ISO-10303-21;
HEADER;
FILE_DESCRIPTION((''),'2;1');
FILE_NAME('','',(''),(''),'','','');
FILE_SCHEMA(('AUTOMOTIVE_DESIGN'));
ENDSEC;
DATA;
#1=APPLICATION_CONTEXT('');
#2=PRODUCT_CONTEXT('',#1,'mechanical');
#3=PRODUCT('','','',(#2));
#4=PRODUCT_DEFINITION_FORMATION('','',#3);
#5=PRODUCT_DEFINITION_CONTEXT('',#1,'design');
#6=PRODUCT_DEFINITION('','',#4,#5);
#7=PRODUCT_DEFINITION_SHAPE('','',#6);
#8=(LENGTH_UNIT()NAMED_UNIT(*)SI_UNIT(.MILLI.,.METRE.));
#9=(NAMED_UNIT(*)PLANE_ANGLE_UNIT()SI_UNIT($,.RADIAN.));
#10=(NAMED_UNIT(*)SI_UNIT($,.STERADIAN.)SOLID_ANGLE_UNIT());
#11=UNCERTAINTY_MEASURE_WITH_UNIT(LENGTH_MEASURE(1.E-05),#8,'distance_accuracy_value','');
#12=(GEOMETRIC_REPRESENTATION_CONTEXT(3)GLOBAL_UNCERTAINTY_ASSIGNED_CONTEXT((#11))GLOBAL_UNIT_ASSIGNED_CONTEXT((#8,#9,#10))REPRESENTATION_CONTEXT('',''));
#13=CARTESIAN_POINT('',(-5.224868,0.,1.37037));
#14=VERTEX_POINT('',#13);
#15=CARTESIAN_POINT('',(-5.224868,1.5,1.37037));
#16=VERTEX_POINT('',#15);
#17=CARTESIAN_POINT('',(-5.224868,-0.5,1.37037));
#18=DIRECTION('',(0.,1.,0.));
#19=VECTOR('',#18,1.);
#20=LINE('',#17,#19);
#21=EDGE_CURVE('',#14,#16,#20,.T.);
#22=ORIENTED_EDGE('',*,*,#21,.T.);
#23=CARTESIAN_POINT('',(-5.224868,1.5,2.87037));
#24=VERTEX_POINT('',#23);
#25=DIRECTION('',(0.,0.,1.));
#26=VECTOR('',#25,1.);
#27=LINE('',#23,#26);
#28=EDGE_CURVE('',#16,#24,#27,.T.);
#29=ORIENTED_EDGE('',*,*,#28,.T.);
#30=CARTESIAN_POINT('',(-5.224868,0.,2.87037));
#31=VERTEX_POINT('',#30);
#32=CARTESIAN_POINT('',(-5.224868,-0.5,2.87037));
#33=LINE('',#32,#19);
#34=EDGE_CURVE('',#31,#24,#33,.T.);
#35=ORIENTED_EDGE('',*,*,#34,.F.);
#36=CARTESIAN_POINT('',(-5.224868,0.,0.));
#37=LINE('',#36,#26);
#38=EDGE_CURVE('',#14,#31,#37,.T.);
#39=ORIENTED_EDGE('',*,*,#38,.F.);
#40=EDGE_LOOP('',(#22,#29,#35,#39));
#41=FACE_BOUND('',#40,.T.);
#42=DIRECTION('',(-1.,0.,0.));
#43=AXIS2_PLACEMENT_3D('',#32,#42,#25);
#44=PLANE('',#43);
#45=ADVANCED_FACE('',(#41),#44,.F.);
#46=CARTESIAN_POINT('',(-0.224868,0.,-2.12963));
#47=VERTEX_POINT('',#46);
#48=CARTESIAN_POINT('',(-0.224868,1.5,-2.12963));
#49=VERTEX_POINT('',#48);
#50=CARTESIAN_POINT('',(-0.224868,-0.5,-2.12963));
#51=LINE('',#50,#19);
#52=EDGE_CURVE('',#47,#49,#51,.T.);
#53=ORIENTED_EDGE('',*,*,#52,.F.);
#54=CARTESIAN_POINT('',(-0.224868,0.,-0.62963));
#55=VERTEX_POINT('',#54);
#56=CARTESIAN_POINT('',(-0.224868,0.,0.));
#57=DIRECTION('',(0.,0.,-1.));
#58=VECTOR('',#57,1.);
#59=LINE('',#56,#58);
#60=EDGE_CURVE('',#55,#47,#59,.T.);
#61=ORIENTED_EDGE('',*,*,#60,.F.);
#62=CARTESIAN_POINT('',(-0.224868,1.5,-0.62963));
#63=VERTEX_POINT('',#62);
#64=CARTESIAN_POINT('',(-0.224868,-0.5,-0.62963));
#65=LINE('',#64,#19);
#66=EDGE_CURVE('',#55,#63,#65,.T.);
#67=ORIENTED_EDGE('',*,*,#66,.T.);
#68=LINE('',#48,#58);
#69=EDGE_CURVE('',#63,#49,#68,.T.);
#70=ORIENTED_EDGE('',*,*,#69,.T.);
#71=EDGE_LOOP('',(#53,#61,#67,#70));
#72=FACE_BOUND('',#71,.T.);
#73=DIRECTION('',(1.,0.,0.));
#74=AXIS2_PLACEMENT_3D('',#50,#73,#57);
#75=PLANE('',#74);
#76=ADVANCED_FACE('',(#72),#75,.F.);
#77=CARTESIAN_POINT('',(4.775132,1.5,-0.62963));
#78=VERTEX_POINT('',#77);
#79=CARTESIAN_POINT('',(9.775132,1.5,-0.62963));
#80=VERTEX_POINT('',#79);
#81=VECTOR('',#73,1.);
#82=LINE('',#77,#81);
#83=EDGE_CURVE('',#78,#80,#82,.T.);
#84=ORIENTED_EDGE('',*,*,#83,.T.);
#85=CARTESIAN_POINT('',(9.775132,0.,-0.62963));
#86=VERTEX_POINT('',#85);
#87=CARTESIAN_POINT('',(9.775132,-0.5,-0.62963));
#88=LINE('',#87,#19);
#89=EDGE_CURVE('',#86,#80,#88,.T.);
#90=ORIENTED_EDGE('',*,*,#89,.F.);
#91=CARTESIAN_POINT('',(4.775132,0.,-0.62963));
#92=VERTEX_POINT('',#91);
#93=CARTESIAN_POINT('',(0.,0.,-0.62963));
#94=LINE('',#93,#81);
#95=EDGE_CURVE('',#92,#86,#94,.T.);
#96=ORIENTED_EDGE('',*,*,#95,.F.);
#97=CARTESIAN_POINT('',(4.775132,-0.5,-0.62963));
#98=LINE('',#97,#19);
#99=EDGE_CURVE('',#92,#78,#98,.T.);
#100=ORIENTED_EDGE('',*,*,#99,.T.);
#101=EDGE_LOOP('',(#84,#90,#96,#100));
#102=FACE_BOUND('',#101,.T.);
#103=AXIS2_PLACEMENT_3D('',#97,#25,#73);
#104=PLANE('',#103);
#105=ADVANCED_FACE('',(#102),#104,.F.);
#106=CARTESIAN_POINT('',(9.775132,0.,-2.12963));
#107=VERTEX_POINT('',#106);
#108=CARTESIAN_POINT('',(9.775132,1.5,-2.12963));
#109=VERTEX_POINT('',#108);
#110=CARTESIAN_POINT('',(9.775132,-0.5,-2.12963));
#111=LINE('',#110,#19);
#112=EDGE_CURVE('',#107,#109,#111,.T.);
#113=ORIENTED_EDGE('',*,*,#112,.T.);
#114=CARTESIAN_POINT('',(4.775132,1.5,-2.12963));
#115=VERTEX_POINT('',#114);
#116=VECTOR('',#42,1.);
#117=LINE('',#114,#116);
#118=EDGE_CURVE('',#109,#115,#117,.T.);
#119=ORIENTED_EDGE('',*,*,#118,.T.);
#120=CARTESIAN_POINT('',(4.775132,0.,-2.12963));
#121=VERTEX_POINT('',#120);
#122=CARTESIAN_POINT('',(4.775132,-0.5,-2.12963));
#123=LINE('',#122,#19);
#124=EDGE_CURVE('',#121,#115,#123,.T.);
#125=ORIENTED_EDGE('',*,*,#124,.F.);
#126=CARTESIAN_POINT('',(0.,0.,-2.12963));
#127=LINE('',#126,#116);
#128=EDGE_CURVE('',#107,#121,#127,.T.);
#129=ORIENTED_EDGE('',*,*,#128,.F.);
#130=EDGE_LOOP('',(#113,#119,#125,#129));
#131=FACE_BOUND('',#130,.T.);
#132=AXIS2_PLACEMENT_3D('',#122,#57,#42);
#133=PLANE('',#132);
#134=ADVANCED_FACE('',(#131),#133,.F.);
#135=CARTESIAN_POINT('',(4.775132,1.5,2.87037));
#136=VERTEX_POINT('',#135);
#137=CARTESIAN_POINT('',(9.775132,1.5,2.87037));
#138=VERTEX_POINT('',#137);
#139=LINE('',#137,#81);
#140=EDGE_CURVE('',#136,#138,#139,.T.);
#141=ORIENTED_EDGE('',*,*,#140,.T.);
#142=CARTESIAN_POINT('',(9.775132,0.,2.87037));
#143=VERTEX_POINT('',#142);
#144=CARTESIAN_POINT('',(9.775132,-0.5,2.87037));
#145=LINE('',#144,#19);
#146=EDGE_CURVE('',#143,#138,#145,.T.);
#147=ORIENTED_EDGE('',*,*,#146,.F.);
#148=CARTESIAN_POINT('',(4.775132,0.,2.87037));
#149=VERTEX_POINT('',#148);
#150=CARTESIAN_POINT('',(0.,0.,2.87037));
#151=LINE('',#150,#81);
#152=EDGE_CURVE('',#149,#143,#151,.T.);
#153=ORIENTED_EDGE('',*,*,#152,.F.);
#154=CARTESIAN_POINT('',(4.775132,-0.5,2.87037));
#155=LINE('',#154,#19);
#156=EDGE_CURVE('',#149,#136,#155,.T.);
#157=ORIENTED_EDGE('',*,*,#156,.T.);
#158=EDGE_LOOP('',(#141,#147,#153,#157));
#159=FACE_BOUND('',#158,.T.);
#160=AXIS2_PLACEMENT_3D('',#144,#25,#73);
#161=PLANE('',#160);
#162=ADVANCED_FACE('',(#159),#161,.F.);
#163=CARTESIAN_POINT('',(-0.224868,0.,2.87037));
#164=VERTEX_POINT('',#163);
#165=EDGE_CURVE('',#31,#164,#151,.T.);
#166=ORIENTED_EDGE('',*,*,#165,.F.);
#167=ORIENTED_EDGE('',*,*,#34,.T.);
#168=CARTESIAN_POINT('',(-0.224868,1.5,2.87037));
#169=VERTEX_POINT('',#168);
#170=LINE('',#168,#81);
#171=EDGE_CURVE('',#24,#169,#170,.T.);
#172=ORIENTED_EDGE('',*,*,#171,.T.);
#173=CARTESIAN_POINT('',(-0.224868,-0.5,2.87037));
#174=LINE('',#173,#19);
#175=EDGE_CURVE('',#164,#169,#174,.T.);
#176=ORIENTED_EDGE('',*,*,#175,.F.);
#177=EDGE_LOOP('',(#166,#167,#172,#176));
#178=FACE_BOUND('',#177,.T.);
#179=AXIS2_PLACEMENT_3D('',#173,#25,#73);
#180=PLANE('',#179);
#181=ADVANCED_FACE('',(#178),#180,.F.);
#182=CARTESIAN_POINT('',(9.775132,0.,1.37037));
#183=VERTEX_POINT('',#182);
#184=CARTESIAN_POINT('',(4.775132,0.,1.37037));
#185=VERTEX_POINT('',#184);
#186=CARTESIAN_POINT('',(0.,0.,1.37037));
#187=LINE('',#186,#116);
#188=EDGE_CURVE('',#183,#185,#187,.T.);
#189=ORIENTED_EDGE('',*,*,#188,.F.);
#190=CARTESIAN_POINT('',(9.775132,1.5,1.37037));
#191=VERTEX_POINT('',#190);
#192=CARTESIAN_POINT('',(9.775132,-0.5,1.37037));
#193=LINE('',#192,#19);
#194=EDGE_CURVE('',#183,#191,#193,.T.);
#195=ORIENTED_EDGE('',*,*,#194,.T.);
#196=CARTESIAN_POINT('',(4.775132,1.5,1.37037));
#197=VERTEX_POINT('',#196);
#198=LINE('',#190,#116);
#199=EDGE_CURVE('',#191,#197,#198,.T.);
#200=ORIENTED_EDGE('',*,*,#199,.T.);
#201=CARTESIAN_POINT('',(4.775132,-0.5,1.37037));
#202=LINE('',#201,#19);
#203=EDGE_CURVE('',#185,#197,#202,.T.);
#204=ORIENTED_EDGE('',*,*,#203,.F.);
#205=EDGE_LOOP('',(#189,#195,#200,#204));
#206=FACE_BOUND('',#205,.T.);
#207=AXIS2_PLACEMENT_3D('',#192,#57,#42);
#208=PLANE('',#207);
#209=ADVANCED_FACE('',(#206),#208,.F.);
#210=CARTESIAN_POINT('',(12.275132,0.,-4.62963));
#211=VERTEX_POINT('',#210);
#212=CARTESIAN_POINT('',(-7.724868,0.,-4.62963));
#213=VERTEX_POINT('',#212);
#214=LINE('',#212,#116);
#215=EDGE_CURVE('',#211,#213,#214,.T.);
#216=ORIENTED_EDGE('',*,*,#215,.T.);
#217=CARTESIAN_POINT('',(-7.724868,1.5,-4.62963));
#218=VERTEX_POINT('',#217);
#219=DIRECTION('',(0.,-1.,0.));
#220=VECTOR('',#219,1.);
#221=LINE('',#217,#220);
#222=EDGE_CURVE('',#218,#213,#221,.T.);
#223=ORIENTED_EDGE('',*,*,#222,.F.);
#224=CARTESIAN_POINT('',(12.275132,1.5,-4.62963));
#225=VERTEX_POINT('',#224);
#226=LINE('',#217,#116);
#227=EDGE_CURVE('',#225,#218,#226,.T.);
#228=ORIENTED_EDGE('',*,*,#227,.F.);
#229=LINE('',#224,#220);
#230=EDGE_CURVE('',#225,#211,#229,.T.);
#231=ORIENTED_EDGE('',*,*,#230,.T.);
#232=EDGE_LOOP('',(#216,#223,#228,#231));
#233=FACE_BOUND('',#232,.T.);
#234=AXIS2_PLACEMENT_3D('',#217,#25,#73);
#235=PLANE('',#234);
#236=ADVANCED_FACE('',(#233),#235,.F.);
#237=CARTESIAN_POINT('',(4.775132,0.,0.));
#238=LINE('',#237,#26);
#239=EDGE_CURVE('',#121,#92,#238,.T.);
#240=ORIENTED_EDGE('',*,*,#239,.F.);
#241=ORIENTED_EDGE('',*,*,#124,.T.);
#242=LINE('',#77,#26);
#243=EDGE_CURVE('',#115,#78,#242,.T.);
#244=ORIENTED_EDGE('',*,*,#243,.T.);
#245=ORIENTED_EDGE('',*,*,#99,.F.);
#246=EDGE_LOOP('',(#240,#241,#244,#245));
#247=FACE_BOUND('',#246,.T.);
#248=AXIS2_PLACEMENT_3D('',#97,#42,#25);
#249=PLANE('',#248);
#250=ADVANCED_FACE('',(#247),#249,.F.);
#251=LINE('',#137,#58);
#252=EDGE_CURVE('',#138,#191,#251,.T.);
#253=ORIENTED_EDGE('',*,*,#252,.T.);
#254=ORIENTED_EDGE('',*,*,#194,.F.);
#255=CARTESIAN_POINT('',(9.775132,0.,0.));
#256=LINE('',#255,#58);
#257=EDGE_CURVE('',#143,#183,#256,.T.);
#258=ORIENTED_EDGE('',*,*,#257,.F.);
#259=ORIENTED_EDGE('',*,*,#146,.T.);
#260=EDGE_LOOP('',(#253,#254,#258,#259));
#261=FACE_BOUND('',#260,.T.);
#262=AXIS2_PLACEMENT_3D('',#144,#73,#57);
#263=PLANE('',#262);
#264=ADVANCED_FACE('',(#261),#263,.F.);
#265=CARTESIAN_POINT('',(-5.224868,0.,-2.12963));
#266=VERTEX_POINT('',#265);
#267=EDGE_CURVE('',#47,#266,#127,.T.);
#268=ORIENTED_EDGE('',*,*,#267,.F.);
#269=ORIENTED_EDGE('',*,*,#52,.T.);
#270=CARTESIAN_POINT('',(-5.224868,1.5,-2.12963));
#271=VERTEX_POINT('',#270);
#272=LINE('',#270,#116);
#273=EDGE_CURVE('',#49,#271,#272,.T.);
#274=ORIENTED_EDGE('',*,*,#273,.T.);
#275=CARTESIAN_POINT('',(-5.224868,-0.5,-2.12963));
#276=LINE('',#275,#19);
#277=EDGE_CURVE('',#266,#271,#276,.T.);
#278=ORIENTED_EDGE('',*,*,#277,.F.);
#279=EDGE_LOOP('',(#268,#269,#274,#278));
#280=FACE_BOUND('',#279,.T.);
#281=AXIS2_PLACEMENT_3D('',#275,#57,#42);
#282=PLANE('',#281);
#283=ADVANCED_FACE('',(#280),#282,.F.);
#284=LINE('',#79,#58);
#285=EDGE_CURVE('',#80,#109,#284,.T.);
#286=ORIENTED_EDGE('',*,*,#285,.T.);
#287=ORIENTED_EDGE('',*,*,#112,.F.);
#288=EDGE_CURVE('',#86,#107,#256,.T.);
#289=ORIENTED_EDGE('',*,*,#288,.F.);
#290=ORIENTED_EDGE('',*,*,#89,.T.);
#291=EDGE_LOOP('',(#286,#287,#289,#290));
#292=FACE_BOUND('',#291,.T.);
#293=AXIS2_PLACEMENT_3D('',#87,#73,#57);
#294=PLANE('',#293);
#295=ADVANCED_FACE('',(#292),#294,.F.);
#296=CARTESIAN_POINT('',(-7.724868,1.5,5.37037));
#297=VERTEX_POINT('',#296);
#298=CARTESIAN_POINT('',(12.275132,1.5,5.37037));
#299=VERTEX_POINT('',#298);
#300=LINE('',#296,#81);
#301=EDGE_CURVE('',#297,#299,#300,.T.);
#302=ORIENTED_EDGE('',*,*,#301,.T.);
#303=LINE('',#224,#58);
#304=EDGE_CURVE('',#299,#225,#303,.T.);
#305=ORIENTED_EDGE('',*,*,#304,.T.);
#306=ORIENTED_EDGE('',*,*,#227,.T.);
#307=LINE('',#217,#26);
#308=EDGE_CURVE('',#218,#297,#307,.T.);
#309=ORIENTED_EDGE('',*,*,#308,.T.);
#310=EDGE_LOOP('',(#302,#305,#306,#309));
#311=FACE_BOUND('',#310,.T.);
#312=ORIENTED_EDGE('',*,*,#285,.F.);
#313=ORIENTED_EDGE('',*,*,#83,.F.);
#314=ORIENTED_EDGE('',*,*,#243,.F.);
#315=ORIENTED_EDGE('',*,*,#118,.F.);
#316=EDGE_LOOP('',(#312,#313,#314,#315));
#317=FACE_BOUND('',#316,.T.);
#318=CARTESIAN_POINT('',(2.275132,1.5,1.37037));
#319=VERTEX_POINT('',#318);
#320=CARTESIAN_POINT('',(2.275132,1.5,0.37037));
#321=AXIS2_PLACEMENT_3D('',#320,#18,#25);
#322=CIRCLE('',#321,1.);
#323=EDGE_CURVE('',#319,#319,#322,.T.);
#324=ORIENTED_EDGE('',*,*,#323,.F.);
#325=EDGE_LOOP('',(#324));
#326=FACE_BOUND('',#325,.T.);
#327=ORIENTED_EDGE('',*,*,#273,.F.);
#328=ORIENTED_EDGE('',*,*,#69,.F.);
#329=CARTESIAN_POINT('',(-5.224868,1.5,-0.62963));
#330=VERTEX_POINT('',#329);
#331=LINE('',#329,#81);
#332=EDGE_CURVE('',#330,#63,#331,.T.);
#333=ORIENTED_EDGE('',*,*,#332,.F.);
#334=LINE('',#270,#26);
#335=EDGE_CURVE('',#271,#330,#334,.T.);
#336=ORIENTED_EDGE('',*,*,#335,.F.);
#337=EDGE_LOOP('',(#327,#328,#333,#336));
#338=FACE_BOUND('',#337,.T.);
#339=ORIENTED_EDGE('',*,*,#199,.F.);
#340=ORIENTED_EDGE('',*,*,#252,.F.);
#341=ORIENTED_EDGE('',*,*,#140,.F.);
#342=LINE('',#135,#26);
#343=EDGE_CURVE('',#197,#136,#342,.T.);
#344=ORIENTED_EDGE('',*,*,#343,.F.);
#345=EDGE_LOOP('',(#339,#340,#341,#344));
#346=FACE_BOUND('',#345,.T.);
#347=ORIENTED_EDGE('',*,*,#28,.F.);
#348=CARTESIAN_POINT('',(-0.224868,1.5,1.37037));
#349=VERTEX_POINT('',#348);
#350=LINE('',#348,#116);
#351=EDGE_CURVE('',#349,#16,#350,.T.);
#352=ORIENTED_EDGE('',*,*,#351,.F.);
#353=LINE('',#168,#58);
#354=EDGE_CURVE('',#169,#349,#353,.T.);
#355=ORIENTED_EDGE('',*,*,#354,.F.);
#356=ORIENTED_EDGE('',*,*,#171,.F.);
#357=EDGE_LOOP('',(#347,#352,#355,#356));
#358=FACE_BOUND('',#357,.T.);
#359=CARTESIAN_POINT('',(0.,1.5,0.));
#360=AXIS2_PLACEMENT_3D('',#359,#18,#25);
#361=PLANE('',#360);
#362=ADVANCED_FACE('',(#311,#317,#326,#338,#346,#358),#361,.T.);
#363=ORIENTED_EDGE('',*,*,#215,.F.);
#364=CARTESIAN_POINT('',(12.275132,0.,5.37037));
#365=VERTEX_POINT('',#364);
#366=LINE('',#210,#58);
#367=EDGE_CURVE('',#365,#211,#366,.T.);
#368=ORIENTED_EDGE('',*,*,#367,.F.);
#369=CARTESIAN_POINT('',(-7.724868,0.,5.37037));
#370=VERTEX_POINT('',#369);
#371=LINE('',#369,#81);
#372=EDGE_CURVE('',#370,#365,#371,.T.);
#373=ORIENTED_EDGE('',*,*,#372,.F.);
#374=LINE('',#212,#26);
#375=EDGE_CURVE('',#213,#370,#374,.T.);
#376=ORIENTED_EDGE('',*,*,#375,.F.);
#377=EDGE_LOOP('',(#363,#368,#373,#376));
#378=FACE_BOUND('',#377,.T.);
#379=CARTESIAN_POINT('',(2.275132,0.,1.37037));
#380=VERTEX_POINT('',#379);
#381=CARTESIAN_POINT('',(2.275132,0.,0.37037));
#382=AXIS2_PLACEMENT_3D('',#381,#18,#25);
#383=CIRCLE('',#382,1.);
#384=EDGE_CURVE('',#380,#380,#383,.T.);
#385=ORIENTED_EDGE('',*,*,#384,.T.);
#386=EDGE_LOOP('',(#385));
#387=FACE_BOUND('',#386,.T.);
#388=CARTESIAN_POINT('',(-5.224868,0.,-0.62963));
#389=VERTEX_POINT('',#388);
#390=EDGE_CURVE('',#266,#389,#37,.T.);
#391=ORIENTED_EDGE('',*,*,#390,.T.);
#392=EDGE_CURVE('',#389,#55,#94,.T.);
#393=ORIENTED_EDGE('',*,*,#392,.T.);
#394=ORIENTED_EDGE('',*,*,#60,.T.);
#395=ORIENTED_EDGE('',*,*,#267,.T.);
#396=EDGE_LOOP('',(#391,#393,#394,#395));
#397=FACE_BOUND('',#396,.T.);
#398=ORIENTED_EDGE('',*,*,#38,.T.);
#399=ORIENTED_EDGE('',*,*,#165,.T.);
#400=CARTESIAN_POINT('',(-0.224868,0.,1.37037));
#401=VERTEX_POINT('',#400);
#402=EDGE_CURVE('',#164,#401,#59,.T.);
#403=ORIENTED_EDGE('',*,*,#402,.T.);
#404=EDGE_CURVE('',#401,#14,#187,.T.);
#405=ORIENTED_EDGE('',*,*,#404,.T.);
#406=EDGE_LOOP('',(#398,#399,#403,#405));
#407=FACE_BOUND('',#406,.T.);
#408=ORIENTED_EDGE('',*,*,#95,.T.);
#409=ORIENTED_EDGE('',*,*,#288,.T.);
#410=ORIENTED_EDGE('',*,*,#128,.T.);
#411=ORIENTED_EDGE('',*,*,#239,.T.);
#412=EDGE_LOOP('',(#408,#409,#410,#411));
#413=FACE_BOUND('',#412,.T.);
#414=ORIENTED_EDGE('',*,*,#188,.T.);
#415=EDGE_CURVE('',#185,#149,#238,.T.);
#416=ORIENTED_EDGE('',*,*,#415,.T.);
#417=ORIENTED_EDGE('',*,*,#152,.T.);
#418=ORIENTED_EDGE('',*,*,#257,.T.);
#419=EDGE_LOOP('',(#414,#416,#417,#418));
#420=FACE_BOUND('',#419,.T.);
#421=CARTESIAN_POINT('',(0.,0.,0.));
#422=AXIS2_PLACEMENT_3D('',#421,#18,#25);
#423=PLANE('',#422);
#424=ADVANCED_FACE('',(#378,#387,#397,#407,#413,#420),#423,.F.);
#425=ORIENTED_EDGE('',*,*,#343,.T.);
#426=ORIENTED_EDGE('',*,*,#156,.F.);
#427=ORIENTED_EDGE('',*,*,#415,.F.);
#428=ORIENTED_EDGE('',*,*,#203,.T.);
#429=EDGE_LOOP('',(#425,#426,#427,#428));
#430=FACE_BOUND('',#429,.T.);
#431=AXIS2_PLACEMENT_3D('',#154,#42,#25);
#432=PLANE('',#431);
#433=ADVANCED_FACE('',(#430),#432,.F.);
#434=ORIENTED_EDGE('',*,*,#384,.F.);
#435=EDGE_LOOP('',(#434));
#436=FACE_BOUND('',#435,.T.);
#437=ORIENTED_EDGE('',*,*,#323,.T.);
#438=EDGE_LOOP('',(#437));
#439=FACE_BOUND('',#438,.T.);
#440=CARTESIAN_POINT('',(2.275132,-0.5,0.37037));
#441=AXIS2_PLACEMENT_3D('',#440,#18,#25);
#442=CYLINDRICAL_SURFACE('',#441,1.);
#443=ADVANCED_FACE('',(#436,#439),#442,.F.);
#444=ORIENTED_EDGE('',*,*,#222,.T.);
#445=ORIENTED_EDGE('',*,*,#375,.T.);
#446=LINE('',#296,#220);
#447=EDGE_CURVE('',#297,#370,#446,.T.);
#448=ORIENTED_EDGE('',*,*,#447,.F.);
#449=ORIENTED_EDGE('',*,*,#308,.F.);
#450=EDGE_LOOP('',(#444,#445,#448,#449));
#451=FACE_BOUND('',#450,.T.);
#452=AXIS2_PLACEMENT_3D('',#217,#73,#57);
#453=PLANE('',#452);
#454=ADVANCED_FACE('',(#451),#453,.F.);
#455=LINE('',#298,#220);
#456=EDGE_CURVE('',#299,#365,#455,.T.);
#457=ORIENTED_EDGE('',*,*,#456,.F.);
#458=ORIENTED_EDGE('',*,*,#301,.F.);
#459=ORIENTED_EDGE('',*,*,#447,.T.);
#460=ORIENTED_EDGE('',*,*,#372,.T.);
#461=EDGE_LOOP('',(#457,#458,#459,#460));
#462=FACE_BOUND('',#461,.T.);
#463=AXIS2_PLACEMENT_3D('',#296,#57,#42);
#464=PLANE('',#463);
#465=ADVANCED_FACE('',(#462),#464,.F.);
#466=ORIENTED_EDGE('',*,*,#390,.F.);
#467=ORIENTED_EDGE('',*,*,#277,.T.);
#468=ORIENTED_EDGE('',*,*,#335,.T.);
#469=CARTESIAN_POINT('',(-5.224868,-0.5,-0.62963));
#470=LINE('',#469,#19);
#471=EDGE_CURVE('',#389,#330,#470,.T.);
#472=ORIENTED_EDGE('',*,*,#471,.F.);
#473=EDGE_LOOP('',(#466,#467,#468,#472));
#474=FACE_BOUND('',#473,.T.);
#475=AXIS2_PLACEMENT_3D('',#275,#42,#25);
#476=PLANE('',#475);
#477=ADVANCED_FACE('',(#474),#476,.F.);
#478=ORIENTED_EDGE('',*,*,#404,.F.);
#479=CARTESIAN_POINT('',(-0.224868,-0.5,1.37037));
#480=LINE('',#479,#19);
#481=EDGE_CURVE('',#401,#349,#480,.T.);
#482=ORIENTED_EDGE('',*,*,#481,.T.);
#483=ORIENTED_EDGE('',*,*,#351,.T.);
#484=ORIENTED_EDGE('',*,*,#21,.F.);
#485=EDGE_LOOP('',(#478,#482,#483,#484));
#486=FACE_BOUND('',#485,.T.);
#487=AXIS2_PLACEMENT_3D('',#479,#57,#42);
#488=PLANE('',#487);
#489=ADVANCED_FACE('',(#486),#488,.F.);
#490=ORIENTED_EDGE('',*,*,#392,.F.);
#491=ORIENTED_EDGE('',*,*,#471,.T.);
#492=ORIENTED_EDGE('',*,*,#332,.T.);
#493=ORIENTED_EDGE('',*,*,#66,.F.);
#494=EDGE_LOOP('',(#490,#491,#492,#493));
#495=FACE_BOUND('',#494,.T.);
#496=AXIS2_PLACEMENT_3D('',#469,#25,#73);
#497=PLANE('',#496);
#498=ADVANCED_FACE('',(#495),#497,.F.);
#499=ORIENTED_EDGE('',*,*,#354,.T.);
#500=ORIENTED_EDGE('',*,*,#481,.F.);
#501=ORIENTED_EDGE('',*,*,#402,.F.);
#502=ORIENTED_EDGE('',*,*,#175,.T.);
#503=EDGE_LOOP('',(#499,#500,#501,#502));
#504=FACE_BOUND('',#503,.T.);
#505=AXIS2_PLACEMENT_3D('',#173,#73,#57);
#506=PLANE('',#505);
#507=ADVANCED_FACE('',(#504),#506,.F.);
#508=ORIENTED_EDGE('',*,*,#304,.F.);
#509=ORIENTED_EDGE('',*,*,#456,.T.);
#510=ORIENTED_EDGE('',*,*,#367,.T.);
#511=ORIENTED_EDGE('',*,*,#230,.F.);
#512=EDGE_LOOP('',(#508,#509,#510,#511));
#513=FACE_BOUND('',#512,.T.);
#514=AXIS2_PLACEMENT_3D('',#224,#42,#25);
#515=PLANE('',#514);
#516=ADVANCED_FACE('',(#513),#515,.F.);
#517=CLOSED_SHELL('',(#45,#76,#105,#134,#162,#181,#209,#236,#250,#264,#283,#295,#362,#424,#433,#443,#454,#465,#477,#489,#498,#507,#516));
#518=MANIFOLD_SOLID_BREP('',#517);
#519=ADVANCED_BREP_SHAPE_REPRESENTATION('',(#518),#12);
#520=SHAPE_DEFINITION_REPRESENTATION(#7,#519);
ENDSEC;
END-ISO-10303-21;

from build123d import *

# Parameters (mm, degrees)
SKETCH1_W           = 20
SKETCH1_H           = 10
BOSS_EXTRUDE1_DEPTH = 1.5
SKETCH3_W           = 5
SKETCH3_H           = 1.5
CUT_EXTRUDE1_DEPTH  = 2
SKETCH2_R           = 1
CUT_EXTRUDE2_DEPTH  = 2


with BuildPart() as part:
    # Sketch1 → Boss-Extrude1 (new body)
    with BuildSketch(Plane(origin=(0, 0, 0), x_dir=(1, 0, 0), z_dir=(0, 1, 0))):
        with Locations((2.275132275, -0.37037037)):
            Rectangle(SKETCH1_W, SKETCH1_H)
    extrude(amount=BOSS_EXTRUDE1_DEPTH)

    # Sketch3 → Cut-Extrude1 (cut)
    with BuildSketch(Plane(origin=(0, 1.5, 0), x_dir=(1, 0, 0), z_dir=(0, 1, 0))):
        with Locations((-2.724867725, 1.37962963)):
            Rectangle(SKETCH3_W, SKETCH3_H)
        with Locations((7.275132275, 1.37962963)):
            Rectangle(SKETCH3_W, SKETCH3_H)
        with Locations((7.275132275, -2.12037037)):
            Rectangle(SKETCH3_W, SKETCH3_H)
        with Locations((-2.724867725, -2.12037037)):
            Rectangle(SKETCH3_W, SKETCH3_H)
    extrude(amount=-CUT_EXTRUDE1_DEPTH, mode=Mode.SUBTRACT)

    # Sketch2 → Cut-Extrude2 (cut)
    with BuildSketch(Plane(origin=(0, 1.5, 0), x_dir=(1, 0, 0), z_dir=(0, 1, 0))):
        with Locations((2.275132275, -0.37037037)):
            Circle(SKETCH2_R)
    extrude(amount=-CUT_EXTRUDE2_DEPTH, mode=Mode.SUBTRACT)


solid = part.part
